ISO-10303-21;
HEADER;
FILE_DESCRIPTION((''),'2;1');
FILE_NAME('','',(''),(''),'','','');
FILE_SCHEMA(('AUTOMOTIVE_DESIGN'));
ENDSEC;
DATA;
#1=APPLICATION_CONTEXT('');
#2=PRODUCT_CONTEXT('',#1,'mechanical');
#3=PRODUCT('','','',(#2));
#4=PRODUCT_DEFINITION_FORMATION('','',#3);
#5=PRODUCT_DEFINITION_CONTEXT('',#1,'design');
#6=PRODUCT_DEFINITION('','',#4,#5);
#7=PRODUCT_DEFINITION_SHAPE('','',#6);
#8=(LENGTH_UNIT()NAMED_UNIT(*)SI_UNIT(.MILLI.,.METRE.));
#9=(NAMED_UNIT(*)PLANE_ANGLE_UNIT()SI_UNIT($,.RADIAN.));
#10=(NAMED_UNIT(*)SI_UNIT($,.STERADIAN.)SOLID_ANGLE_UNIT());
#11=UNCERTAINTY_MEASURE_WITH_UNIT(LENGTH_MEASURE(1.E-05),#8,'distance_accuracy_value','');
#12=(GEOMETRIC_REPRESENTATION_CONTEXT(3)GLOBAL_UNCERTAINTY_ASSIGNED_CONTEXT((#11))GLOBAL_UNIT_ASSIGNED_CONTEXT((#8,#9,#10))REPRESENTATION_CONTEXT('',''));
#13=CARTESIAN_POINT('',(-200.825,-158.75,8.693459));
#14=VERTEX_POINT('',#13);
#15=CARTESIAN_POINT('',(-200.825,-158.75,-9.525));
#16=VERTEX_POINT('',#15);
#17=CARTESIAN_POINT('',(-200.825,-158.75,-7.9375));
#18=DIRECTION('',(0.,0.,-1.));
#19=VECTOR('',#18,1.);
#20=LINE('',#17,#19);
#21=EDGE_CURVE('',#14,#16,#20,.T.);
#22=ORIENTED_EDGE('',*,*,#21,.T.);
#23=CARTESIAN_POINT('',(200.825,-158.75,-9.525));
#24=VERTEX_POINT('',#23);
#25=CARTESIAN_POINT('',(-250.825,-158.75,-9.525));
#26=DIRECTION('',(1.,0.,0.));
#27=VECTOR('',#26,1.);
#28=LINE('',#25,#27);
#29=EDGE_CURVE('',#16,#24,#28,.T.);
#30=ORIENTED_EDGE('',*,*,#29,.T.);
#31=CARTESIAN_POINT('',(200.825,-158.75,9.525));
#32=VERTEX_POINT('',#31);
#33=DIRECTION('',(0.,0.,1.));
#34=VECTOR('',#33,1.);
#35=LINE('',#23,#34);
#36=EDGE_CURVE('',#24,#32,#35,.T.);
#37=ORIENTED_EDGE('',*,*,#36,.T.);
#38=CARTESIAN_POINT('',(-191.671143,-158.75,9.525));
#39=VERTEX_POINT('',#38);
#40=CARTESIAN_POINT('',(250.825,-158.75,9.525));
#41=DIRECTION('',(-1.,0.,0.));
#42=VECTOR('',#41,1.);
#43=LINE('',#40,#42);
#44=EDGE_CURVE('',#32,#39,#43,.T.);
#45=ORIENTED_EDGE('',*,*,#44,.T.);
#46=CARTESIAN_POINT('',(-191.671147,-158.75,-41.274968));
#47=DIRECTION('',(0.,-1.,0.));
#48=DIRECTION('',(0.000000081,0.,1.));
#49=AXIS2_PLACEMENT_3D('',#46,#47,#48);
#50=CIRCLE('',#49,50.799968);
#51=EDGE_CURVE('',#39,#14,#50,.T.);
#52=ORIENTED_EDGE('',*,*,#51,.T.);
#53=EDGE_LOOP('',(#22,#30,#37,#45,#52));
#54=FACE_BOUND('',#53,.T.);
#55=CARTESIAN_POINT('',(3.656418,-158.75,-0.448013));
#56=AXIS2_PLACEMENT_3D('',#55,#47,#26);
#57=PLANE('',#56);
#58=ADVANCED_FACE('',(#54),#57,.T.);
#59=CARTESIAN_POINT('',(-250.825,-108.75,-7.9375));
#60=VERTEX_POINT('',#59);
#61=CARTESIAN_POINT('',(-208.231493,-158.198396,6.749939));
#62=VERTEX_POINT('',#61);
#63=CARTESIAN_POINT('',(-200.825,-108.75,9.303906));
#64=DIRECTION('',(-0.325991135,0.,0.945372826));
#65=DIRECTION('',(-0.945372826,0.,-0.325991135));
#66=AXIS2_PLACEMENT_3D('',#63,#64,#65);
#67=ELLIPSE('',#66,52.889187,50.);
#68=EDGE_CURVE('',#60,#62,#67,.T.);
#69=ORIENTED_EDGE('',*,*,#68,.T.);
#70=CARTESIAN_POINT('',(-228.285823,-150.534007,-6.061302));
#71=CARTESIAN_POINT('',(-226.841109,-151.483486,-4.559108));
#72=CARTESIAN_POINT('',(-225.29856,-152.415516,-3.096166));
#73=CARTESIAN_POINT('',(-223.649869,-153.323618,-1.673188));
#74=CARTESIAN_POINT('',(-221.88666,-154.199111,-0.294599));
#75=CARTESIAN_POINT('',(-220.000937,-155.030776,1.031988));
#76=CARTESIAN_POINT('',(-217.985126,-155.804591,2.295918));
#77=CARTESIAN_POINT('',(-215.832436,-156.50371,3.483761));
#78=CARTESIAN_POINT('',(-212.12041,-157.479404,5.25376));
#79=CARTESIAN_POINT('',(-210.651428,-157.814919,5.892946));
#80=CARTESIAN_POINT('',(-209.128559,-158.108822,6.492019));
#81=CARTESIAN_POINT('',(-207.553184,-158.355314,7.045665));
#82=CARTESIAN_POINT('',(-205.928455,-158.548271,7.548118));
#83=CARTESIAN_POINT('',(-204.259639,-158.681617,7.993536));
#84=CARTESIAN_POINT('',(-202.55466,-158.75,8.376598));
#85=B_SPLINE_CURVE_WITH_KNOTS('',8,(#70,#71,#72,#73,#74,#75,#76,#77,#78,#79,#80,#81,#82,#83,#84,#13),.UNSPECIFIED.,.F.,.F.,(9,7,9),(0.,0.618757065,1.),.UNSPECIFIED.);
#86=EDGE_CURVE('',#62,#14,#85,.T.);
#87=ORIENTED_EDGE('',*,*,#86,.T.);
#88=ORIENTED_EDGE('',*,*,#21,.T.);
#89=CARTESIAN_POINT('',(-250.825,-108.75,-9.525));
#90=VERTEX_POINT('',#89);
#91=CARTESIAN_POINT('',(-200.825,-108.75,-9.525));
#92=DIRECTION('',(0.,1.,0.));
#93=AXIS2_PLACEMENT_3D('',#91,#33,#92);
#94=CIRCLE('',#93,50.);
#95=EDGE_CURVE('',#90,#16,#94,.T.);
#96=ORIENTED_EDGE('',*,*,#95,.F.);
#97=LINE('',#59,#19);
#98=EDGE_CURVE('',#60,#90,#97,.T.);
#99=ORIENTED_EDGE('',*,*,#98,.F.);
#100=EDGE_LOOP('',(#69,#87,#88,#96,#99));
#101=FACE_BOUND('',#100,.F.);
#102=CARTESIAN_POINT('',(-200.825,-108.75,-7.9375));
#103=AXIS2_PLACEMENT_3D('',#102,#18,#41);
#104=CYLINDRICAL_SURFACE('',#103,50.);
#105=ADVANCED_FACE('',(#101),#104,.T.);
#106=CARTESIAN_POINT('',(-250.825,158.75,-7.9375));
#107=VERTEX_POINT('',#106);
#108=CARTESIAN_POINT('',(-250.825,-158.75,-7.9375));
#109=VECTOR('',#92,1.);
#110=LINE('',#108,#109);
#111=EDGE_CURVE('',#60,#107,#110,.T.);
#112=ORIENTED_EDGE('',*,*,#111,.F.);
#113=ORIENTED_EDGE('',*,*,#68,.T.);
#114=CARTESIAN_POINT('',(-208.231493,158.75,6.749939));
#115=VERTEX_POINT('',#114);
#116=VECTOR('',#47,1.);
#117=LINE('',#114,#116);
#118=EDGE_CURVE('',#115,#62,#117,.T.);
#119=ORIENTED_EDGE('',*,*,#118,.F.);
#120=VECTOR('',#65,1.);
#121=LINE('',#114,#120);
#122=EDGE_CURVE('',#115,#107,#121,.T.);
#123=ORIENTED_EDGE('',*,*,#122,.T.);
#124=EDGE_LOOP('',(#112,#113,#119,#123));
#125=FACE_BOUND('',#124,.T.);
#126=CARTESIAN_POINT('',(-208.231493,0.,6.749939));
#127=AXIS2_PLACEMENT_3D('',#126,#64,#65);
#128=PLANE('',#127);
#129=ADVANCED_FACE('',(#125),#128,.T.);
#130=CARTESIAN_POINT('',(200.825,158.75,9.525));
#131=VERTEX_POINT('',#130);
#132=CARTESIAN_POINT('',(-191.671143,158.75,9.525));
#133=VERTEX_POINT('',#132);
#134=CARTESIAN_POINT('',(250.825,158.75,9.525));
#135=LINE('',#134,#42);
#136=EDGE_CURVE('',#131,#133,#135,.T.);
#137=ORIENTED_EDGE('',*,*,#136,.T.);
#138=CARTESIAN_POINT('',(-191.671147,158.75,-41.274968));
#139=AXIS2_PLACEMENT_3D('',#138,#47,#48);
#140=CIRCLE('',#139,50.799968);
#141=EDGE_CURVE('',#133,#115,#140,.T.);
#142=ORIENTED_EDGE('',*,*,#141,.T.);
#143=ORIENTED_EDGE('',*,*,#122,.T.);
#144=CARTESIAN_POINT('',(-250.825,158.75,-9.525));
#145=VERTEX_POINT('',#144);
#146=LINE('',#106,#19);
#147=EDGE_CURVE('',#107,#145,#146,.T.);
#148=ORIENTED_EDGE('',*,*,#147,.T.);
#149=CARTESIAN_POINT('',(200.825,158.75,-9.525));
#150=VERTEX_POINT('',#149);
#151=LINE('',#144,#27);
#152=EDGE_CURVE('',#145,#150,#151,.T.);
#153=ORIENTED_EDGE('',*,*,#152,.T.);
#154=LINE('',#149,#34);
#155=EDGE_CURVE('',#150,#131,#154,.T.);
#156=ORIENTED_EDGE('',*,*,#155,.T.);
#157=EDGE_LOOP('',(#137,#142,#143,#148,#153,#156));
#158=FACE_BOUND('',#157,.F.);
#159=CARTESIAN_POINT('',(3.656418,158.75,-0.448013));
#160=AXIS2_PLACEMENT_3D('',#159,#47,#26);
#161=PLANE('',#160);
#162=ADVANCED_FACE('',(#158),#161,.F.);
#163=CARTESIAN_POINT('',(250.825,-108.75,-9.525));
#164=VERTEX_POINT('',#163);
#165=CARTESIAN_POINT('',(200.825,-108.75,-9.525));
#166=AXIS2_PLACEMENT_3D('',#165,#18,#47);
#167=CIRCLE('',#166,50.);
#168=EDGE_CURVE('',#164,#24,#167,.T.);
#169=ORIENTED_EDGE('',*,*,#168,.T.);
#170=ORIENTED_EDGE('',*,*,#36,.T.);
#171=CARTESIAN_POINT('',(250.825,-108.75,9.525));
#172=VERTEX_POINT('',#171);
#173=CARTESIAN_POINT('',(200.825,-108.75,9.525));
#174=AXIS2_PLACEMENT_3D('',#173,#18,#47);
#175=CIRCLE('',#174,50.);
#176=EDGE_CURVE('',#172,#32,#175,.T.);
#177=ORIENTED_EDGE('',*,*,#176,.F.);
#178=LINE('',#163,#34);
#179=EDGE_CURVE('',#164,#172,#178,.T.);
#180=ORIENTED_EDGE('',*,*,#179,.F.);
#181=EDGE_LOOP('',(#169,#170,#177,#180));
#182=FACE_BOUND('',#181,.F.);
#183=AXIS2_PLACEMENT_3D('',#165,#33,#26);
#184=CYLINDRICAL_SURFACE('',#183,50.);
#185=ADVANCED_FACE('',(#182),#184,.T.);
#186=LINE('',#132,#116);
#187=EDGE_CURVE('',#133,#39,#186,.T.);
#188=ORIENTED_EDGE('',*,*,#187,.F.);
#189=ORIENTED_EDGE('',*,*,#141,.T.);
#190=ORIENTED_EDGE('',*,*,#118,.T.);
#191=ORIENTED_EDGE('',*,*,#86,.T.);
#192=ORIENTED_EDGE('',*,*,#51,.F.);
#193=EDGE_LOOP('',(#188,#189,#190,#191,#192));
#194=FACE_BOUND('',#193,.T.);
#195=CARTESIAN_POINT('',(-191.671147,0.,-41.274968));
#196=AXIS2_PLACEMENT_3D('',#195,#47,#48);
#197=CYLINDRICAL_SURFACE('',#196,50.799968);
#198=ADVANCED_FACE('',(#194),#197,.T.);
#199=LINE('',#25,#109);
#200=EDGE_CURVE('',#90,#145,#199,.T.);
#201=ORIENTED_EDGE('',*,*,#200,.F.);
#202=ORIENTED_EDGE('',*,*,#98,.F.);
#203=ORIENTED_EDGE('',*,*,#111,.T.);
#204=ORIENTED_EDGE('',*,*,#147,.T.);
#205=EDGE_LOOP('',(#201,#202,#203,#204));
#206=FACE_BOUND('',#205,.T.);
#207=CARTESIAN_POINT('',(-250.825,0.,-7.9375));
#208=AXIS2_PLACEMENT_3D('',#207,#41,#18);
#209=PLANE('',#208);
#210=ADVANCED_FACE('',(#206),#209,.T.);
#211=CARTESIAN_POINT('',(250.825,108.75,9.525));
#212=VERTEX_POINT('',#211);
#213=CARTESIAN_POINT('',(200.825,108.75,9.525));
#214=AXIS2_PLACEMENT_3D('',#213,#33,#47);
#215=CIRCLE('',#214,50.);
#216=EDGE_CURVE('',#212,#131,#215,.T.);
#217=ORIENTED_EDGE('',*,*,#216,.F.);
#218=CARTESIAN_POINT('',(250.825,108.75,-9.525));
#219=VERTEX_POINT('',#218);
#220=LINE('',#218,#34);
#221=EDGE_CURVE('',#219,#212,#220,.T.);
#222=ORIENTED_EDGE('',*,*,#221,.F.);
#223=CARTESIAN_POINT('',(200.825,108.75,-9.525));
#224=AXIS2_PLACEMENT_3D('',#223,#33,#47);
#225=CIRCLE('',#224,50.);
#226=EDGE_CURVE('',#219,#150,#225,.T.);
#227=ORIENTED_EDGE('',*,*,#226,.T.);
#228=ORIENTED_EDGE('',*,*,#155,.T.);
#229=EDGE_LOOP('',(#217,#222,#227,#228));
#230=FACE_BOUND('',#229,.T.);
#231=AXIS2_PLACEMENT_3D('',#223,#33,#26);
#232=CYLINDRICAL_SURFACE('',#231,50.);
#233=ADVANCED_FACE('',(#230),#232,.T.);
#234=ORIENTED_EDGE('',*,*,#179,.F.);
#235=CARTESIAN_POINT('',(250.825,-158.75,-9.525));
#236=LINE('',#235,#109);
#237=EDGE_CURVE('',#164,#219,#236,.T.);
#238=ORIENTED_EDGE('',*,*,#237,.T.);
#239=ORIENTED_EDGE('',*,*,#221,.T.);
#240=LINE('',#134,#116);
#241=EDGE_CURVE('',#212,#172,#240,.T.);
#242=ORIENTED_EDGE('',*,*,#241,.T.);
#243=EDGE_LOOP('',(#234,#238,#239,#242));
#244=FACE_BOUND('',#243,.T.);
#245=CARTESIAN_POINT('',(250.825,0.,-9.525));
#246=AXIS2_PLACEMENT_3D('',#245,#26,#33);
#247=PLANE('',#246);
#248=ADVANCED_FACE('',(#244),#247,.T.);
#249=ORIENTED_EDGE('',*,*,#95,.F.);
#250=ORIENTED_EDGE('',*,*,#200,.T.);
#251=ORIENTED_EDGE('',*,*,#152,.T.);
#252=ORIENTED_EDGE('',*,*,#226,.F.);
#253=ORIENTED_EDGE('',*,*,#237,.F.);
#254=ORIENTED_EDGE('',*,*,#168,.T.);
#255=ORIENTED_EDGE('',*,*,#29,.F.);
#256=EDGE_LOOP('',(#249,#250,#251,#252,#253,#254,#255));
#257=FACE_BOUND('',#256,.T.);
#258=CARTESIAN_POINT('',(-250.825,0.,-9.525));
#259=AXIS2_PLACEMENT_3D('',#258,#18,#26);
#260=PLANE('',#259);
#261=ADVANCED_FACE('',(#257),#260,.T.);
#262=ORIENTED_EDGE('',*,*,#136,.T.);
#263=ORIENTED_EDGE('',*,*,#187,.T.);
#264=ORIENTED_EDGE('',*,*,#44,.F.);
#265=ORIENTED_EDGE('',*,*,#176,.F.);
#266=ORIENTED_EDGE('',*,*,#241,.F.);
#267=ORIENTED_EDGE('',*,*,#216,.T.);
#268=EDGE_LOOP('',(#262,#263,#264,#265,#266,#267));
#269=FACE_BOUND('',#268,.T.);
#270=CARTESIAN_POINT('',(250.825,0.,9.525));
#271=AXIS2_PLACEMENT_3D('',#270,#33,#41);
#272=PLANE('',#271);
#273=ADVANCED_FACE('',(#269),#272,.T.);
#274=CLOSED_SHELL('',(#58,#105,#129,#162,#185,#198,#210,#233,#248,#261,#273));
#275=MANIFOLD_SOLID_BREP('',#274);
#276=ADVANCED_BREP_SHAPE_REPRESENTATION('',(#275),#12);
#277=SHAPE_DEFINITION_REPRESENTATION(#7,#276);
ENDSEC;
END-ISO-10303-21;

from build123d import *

# Parameters (mm, degrees)
F1_DEPTH = 158.75
F2_R     = 50


with BuildPart() as f1:
    # F0 (on Front) → F1 (new body, symmetric)
    with BuildSketch(Plane.XZ):
        with BuildLine():
            Line((-200.025, -9.525), (250.825, -9.525))
            Line((250.825, -9.525), (250.825, 9.525))
            Line((250.825, 9.525), (-191.671143, 9.525))
            ThreePointArc((-191.671143, 9.525), (-200.066769, 8.826432), (-208.231493, 6.749939))
            Line((-208.231493, 6.749939), (-250.825, -7.9375))
            Line((-250.825, -7.9375), (-250.825, -9.525))
            Line((-250.825, -9.525), (-200.025, -9.525))
        make_face()
    extrude(amount=F1_DEPTH, both=True)

    # F2
    f2_edges = [f1.edges().sort_by_distance(p)[0] for p in [
        (-250.825, -158.75, -8.73125),
        (250.825, -158.75, 0),
        (250.825, 158.75, 0),
    ]]
    fillet(f2_edges, radius=F2_R)


solid = f1.part
